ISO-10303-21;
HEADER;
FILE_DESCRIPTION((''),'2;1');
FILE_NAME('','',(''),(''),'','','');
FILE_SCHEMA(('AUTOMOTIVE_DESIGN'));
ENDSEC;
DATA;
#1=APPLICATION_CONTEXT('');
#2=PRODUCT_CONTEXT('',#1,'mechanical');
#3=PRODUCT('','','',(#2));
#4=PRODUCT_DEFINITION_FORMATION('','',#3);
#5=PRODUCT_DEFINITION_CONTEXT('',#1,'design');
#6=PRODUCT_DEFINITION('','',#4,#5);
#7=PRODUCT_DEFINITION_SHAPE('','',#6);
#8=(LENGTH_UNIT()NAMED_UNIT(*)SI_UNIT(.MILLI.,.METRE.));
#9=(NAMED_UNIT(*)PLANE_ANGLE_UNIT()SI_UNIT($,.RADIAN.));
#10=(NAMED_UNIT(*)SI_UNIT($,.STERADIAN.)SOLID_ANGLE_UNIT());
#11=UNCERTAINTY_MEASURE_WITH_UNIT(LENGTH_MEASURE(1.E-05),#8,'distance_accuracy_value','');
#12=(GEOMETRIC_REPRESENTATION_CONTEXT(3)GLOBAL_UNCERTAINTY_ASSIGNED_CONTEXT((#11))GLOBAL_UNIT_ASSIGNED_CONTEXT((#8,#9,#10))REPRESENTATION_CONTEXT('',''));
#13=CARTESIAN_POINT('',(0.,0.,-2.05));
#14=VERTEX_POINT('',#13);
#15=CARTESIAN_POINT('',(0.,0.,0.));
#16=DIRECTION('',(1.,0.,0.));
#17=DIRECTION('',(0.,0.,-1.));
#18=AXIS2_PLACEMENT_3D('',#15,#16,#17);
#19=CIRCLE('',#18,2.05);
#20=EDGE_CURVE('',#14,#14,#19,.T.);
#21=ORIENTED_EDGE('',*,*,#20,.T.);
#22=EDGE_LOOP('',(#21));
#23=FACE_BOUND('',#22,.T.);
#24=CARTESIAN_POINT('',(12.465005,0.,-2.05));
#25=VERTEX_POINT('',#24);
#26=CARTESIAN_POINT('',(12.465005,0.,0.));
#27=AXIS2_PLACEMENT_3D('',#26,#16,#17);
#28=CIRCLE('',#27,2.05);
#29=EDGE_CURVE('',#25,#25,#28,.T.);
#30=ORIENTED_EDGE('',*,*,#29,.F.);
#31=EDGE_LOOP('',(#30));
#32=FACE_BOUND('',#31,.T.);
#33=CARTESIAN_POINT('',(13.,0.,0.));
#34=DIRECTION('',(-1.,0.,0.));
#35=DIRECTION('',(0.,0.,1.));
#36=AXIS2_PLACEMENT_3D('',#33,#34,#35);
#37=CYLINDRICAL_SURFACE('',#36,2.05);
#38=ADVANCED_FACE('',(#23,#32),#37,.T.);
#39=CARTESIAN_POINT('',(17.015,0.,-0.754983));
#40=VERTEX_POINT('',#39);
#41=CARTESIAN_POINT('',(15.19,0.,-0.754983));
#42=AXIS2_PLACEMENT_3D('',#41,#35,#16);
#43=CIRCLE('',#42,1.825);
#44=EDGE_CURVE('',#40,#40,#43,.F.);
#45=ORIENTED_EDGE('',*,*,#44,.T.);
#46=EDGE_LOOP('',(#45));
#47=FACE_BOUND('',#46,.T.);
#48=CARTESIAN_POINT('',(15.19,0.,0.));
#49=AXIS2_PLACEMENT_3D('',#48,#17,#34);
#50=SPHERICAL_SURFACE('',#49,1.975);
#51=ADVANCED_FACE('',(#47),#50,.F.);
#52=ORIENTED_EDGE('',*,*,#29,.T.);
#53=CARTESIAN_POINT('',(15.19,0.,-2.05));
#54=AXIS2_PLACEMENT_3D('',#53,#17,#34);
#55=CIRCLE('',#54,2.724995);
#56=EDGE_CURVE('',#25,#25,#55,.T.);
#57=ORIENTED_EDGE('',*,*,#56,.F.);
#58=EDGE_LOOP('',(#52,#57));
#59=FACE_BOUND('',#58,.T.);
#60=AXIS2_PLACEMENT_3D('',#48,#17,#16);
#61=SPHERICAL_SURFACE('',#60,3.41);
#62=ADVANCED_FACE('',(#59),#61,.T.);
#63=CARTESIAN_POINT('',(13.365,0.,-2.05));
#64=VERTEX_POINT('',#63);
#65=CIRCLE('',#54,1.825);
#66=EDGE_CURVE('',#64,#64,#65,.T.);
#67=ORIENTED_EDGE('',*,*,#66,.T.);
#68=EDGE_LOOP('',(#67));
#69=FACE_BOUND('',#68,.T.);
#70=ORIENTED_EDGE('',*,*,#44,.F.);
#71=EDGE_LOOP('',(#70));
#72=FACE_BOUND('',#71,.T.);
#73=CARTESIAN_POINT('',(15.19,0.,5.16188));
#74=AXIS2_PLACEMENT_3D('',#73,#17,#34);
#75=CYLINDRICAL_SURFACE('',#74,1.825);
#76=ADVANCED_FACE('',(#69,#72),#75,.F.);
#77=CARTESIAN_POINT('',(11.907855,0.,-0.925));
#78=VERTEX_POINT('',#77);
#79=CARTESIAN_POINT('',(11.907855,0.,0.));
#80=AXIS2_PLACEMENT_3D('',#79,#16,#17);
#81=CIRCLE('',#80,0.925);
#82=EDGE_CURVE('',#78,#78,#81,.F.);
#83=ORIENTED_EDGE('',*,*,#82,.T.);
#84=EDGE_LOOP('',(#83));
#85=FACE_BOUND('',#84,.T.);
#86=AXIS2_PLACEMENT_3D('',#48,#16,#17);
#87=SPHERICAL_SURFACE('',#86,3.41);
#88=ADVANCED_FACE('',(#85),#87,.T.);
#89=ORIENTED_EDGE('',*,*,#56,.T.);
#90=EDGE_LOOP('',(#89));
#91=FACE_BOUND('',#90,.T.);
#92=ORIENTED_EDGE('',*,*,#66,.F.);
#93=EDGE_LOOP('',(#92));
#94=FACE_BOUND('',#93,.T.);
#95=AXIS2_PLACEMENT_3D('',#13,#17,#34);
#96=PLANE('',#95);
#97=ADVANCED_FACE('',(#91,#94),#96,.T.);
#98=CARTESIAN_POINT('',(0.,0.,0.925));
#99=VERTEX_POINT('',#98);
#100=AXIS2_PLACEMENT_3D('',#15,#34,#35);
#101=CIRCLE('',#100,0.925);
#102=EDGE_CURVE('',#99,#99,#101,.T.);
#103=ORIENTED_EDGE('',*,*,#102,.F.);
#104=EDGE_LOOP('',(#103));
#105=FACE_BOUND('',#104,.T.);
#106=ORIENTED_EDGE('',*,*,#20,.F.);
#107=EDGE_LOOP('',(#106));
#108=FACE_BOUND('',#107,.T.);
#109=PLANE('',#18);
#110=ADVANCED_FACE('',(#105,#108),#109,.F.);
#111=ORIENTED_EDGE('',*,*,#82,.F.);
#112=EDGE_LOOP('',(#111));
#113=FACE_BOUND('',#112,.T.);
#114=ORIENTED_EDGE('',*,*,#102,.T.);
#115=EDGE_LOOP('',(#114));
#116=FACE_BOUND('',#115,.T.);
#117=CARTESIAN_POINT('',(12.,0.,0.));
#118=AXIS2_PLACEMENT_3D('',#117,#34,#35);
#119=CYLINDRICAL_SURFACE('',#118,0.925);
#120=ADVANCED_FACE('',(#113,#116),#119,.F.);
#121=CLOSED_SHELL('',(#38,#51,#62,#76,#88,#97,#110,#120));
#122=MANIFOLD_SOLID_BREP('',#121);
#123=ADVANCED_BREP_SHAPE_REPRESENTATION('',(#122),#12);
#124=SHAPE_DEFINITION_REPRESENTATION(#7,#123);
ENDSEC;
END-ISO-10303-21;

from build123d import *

# Parameters (mm, degrees)
SCHIZZO2_R                    = 2.05
ESTRUSIONE_ESTRUSIONE1_DEPTH  = 13
SCHIZZO3_R                    = 0.925
TAGLIO_ESTRUSIONE1_DEPTH      = 12
TAGLIO_ESTRUSIONE2_REACH      = 21.682
TAGLIO_ESTRUSIONE2_END_RADIUS = 1.975
SCHIZZO5_R                    = 1.825


with BuildPart() as part:
    # Schizzo2 → Estrusione-Estrusione1 (new body)
    with BuildSketch(Plane(origin=(0, 0, 0), x_dir=(0, 0, -1), z_dir=(1, 0, 0))):
        with Locations(Location((0, 0, 0), (0, 0, 180))):
            Circle(SCHIZZO2_R)
    extrude(amount=ESTRUSIONE_ESTRUSIONE1_DEPTH)

    # Schizzo3 → Taglio-Estrusione1 (cut)
    with BuildSketch(Plane.ZY):
        Circle(SCHIZZO3_R)
    extrude(amount=-TAGLIO_ESTRUSIONE1_DEPTH, mode=Mode.SUBTRACT)

    # Schizzo4 → Rivoluzione1 (revolve)
    with BuildSketch(Plane(origin=(0, 0, 0), x_dir=(1, 0, 0), z_dir=(0, 1, 0))):
        with BuildLine():
            Line((15.19, 3.41), (15.19, 1.975))
            ThreePointArc((15.19, 1.975), (17.165, 0), (15.19, -1.975))
            Line((15.19, -1.975), (15.19, -3.41))
            ThreePointArc((15.19, -3.41), (18.6, 0), (15.19, 3.41))
        make_face()
    revolve(axis=Axis((15.19, 0, 1.975), (0, 0, 1)))

    # TaglioSuperficie1
    split(bisect_by=Plane(origin=(0, 0, -2.05), x_dir=(-1, 0, 0), z_dir=(0, 0, -1)), keep=Keep.BOTTOM)

    # Taglio-Estrusione2: up to this sphere (the profile starts outside it)
    taglio_estrusione2_end = Location((15.19, 0, 0)) * Sphere(TAGLIO_ESTRUSIONE2_END_RADIUS, mode=Mode.PRIVATE)
    # Schizzo5 → Taglio-Estrusione2 (cut, up to the surface)
    with BuildSketch(Plane(origin=(0, 0, -2.05), x_dir=(-1, 0, 0), z_dir=(0, 0, -1)), mode=Mode.PRIVATE) as taglio_estrusione2_sk1:
        with Locations((-15.19, 0)):
            Circle(SCHIZZO5_R)
    taglio_estrusione2_tool1 = extrude(taglio_estrusione2_sk1.sketch, amount=-TAGLIO_ESTRUSIONE2_REACH, mode=Mode.PRIVATE) - taglio_estrusione2_end
    add(taglio_estrusione2_tool1.solids().sort_by_distance((15.19, 0, -2.05))[0], mode=Mode.SUBTRACT)


solid = part.part
